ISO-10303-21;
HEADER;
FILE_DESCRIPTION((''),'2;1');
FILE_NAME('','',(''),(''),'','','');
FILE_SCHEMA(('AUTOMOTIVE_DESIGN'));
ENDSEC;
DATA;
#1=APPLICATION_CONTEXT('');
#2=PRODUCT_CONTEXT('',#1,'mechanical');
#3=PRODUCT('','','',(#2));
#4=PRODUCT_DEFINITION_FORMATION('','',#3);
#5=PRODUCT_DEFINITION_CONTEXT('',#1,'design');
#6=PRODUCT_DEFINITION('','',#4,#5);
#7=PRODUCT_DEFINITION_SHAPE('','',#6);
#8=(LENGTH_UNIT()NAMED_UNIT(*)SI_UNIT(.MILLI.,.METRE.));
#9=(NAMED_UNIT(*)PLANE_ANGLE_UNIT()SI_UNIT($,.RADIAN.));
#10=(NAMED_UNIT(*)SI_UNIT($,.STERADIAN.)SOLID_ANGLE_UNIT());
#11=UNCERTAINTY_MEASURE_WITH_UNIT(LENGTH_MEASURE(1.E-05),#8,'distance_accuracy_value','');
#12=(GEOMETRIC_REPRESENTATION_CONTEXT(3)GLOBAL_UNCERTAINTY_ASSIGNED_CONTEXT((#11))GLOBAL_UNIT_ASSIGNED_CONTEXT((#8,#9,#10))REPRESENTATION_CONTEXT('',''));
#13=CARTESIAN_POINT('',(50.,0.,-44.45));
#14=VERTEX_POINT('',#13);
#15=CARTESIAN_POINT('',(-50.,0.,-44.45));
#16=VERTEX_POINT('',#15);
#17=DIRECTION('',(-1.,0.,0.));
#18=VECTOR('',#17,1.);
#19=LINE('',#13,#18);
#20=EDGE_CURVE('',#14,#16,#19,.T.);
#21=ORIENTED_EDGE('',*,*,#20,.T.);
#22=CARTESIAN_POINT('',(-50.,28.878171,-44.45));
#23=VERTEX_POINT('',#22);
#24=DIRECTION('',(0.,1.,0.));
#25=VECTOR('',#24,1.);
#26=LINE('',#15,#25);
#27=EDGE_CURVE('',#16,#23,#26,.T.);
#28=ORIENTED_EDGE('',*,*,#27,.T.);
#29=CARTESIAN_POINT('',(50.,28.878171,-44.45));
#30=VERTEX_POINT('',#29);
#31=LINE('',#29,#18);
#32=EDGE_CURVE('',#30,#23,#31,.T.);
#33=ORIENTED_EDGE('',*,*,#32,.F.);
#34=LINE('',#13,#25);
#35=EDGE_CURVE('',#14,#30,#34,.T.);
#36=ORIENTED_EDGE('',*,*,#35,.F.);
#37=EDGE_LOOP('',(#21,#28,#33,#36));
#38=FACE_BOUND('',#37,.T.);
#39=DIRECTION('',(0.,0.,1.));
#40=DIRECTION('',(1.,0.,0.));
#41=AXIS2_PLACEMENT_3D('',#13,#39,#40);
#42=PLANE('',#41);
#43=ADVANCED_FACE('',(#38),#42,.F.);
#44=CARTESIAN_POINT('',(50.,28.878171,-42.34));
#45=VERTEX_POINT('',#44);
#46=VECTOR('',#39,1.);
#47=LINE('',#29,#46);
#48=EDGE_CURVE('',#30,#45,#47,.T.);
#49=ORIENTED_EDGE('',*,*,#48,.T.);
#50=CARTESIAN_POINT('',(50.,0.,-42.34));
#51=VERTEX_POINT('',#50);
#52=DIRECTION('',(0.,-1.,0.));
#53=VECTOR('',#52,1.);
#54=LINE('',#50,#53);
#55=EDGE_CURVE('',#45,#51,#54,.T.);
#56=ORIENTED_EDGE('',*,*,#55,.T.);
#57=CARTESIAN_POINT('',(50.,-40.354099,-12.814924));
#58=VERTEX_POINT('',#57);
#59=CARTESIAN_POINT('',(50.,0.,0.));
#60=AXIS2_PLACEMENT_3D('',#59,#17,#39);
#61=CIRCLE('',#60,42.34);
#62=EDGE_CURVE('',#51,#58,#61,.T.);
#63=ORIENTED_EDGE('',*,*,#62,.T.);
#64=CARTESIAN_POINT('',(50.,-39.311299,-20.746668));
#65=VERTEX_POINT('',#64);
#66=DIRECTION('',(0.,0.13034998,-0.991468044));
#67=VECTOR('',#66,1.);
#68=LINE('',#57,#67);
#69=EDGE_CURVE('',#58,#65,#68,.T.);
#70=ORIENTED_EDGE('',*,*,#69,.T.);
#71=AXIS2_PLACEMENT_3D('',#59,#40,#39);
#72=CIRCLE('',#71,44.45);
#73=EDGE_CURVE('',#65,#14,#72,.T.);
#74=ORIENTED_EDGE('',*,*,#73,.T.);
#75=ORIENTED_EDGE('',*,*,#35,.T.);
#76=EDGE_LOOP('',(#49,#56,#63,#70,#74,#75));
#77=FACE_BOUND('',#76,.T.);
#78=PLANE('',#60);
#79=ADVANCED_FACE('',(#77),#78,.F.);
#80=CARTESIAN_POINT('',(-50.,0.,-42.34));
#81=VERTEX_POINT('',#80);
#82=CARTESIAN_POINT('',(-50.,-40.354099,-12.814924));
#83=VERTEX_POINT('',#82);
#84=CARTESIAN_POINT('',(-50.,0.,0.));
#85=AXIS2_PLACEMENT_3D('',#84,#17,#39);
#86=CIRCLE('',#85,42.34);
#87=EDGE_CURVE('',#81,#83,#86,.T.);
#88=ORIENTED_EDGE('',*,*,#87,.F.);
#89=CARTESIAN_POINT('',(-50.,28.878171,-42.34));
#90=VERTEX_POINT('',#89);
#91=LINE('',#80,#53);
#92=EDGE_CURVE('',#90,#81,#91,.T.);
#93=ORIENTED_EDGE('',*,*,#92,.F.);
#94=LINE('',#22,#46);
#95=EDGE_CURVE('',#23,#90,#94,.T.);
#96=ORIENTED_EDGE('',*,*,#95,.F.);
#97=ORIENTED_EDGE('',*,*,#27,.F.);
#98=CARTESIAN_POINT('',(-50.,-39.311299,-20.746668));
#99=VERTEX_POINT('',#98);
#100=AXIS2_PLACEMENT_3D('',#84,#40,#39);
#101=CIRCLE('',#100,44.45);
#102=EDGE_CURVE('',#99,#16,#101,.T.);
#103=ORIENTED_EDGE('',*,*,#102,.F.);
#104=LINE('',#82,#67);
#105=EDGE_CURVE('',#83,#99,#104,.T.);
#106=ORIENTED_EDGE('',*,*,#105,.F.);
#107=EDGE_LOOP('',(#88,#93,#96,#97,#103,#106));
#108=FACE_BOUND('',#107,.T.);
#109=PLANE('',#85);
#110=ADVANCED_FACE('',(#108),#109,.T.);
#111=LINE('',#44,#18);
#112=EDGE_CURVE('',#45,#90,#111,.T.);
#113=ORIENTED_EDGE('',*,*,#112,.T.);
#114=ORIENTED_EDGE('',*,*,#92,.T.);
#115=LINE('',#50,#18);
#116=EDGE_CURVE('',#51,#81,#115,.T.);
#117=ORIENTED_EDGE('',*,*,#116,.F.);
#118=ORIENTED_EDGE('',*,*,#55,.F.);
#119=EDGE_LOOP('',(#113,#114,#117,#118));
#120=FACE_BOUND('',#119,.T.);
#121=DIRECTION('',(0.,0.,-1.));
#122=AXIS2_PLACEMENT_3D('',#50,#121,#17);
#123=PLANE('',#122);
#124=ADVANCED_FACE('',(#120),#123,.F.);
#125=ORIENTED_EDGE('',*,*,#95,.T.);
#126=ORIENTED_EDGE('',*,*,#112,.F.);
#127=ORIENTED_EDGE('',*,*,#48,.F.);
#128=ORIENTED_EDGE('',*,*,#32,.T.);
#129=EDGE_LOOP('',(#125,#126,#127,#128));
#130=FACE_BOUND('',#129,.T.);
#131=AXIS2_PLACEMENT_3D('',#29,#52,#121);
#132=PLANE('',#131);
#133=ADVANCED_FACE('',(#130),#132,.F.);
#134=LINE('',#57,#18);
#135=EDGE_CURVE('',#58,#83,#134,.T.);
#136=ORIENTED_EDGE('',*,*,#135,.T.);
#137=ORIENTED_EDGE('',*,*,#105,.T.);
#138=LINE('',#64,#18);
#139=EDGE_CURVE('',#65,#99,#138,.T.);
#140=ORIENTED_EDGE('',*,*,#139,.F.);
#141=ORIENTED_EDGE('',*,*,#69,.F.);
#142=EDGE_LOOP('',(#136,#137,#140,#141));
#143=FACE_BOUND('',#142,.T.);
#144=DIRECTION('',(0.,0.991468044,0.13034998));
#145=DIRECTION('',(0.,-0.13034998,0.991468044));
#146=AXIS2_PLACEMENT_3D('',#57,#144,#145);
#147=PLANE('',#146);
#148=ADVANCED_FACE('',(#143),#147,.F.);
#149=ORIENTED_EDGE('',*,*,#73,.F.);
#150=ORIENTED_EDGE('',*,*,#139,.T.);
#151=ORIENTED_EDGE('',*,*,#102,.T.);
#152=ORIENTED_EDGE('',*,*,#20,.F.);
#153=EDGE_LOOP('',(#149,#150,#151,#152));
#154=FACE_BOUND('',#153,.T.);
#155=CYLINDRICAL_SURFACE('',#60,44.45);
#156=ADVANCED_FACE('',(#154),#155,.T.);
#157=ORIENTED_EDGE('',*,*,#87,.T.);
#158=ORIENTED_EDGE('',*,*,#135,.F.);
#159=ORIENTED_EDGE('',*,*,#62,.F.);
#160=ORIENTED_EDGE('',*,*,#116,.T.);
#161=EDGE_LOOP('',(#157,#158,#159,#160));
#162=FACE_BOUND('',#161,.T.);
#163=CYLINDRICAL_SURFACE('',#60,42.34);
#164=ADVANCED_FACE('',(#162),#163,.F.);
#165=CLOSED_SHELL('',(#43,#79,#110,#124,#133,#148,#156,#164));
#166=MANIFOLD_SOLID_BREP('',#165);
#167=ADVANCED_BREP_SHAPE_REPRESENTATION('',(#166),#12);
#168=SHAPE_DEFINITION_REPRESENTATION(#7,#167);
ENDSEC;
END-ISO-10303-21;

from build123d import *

# Parameters (mm, degrees)
RESSALTO_EXTRUS_O1_DEPTH = 50


with BuildPart() as part:
    # Esboço1 → Ressalto-extrusão1 (new, symmetric)
    with BuildSketch(Plane(origin=(0, 0, 0), x_dir=(0, 0, -1), z_dir=(1, 0, 0))):
        with BuildLine():
            Line((12.814923667, -40.354099314), (20.74666802, -39.311299471))
            ThreePointArc((20.74666802, -39.311299471), (38.065679381, -22.952266843), (44.45, 0))
            Line((44.45, 0), (44.45, 28.878170812))
            Line((44.45, 28.878170812), (42.34, 28.878170812))
            Line((42.34, 28.878170812), (42.34, 0))
            ThreePointArc((42.34, 0), (34.170597508, -25.000917303), (12.814923667, -40.354099314))
        make_face()
    extrude(amount=RESSALTO_EXTRUS_O1_DEPTH, both=True)


solid = part.part
